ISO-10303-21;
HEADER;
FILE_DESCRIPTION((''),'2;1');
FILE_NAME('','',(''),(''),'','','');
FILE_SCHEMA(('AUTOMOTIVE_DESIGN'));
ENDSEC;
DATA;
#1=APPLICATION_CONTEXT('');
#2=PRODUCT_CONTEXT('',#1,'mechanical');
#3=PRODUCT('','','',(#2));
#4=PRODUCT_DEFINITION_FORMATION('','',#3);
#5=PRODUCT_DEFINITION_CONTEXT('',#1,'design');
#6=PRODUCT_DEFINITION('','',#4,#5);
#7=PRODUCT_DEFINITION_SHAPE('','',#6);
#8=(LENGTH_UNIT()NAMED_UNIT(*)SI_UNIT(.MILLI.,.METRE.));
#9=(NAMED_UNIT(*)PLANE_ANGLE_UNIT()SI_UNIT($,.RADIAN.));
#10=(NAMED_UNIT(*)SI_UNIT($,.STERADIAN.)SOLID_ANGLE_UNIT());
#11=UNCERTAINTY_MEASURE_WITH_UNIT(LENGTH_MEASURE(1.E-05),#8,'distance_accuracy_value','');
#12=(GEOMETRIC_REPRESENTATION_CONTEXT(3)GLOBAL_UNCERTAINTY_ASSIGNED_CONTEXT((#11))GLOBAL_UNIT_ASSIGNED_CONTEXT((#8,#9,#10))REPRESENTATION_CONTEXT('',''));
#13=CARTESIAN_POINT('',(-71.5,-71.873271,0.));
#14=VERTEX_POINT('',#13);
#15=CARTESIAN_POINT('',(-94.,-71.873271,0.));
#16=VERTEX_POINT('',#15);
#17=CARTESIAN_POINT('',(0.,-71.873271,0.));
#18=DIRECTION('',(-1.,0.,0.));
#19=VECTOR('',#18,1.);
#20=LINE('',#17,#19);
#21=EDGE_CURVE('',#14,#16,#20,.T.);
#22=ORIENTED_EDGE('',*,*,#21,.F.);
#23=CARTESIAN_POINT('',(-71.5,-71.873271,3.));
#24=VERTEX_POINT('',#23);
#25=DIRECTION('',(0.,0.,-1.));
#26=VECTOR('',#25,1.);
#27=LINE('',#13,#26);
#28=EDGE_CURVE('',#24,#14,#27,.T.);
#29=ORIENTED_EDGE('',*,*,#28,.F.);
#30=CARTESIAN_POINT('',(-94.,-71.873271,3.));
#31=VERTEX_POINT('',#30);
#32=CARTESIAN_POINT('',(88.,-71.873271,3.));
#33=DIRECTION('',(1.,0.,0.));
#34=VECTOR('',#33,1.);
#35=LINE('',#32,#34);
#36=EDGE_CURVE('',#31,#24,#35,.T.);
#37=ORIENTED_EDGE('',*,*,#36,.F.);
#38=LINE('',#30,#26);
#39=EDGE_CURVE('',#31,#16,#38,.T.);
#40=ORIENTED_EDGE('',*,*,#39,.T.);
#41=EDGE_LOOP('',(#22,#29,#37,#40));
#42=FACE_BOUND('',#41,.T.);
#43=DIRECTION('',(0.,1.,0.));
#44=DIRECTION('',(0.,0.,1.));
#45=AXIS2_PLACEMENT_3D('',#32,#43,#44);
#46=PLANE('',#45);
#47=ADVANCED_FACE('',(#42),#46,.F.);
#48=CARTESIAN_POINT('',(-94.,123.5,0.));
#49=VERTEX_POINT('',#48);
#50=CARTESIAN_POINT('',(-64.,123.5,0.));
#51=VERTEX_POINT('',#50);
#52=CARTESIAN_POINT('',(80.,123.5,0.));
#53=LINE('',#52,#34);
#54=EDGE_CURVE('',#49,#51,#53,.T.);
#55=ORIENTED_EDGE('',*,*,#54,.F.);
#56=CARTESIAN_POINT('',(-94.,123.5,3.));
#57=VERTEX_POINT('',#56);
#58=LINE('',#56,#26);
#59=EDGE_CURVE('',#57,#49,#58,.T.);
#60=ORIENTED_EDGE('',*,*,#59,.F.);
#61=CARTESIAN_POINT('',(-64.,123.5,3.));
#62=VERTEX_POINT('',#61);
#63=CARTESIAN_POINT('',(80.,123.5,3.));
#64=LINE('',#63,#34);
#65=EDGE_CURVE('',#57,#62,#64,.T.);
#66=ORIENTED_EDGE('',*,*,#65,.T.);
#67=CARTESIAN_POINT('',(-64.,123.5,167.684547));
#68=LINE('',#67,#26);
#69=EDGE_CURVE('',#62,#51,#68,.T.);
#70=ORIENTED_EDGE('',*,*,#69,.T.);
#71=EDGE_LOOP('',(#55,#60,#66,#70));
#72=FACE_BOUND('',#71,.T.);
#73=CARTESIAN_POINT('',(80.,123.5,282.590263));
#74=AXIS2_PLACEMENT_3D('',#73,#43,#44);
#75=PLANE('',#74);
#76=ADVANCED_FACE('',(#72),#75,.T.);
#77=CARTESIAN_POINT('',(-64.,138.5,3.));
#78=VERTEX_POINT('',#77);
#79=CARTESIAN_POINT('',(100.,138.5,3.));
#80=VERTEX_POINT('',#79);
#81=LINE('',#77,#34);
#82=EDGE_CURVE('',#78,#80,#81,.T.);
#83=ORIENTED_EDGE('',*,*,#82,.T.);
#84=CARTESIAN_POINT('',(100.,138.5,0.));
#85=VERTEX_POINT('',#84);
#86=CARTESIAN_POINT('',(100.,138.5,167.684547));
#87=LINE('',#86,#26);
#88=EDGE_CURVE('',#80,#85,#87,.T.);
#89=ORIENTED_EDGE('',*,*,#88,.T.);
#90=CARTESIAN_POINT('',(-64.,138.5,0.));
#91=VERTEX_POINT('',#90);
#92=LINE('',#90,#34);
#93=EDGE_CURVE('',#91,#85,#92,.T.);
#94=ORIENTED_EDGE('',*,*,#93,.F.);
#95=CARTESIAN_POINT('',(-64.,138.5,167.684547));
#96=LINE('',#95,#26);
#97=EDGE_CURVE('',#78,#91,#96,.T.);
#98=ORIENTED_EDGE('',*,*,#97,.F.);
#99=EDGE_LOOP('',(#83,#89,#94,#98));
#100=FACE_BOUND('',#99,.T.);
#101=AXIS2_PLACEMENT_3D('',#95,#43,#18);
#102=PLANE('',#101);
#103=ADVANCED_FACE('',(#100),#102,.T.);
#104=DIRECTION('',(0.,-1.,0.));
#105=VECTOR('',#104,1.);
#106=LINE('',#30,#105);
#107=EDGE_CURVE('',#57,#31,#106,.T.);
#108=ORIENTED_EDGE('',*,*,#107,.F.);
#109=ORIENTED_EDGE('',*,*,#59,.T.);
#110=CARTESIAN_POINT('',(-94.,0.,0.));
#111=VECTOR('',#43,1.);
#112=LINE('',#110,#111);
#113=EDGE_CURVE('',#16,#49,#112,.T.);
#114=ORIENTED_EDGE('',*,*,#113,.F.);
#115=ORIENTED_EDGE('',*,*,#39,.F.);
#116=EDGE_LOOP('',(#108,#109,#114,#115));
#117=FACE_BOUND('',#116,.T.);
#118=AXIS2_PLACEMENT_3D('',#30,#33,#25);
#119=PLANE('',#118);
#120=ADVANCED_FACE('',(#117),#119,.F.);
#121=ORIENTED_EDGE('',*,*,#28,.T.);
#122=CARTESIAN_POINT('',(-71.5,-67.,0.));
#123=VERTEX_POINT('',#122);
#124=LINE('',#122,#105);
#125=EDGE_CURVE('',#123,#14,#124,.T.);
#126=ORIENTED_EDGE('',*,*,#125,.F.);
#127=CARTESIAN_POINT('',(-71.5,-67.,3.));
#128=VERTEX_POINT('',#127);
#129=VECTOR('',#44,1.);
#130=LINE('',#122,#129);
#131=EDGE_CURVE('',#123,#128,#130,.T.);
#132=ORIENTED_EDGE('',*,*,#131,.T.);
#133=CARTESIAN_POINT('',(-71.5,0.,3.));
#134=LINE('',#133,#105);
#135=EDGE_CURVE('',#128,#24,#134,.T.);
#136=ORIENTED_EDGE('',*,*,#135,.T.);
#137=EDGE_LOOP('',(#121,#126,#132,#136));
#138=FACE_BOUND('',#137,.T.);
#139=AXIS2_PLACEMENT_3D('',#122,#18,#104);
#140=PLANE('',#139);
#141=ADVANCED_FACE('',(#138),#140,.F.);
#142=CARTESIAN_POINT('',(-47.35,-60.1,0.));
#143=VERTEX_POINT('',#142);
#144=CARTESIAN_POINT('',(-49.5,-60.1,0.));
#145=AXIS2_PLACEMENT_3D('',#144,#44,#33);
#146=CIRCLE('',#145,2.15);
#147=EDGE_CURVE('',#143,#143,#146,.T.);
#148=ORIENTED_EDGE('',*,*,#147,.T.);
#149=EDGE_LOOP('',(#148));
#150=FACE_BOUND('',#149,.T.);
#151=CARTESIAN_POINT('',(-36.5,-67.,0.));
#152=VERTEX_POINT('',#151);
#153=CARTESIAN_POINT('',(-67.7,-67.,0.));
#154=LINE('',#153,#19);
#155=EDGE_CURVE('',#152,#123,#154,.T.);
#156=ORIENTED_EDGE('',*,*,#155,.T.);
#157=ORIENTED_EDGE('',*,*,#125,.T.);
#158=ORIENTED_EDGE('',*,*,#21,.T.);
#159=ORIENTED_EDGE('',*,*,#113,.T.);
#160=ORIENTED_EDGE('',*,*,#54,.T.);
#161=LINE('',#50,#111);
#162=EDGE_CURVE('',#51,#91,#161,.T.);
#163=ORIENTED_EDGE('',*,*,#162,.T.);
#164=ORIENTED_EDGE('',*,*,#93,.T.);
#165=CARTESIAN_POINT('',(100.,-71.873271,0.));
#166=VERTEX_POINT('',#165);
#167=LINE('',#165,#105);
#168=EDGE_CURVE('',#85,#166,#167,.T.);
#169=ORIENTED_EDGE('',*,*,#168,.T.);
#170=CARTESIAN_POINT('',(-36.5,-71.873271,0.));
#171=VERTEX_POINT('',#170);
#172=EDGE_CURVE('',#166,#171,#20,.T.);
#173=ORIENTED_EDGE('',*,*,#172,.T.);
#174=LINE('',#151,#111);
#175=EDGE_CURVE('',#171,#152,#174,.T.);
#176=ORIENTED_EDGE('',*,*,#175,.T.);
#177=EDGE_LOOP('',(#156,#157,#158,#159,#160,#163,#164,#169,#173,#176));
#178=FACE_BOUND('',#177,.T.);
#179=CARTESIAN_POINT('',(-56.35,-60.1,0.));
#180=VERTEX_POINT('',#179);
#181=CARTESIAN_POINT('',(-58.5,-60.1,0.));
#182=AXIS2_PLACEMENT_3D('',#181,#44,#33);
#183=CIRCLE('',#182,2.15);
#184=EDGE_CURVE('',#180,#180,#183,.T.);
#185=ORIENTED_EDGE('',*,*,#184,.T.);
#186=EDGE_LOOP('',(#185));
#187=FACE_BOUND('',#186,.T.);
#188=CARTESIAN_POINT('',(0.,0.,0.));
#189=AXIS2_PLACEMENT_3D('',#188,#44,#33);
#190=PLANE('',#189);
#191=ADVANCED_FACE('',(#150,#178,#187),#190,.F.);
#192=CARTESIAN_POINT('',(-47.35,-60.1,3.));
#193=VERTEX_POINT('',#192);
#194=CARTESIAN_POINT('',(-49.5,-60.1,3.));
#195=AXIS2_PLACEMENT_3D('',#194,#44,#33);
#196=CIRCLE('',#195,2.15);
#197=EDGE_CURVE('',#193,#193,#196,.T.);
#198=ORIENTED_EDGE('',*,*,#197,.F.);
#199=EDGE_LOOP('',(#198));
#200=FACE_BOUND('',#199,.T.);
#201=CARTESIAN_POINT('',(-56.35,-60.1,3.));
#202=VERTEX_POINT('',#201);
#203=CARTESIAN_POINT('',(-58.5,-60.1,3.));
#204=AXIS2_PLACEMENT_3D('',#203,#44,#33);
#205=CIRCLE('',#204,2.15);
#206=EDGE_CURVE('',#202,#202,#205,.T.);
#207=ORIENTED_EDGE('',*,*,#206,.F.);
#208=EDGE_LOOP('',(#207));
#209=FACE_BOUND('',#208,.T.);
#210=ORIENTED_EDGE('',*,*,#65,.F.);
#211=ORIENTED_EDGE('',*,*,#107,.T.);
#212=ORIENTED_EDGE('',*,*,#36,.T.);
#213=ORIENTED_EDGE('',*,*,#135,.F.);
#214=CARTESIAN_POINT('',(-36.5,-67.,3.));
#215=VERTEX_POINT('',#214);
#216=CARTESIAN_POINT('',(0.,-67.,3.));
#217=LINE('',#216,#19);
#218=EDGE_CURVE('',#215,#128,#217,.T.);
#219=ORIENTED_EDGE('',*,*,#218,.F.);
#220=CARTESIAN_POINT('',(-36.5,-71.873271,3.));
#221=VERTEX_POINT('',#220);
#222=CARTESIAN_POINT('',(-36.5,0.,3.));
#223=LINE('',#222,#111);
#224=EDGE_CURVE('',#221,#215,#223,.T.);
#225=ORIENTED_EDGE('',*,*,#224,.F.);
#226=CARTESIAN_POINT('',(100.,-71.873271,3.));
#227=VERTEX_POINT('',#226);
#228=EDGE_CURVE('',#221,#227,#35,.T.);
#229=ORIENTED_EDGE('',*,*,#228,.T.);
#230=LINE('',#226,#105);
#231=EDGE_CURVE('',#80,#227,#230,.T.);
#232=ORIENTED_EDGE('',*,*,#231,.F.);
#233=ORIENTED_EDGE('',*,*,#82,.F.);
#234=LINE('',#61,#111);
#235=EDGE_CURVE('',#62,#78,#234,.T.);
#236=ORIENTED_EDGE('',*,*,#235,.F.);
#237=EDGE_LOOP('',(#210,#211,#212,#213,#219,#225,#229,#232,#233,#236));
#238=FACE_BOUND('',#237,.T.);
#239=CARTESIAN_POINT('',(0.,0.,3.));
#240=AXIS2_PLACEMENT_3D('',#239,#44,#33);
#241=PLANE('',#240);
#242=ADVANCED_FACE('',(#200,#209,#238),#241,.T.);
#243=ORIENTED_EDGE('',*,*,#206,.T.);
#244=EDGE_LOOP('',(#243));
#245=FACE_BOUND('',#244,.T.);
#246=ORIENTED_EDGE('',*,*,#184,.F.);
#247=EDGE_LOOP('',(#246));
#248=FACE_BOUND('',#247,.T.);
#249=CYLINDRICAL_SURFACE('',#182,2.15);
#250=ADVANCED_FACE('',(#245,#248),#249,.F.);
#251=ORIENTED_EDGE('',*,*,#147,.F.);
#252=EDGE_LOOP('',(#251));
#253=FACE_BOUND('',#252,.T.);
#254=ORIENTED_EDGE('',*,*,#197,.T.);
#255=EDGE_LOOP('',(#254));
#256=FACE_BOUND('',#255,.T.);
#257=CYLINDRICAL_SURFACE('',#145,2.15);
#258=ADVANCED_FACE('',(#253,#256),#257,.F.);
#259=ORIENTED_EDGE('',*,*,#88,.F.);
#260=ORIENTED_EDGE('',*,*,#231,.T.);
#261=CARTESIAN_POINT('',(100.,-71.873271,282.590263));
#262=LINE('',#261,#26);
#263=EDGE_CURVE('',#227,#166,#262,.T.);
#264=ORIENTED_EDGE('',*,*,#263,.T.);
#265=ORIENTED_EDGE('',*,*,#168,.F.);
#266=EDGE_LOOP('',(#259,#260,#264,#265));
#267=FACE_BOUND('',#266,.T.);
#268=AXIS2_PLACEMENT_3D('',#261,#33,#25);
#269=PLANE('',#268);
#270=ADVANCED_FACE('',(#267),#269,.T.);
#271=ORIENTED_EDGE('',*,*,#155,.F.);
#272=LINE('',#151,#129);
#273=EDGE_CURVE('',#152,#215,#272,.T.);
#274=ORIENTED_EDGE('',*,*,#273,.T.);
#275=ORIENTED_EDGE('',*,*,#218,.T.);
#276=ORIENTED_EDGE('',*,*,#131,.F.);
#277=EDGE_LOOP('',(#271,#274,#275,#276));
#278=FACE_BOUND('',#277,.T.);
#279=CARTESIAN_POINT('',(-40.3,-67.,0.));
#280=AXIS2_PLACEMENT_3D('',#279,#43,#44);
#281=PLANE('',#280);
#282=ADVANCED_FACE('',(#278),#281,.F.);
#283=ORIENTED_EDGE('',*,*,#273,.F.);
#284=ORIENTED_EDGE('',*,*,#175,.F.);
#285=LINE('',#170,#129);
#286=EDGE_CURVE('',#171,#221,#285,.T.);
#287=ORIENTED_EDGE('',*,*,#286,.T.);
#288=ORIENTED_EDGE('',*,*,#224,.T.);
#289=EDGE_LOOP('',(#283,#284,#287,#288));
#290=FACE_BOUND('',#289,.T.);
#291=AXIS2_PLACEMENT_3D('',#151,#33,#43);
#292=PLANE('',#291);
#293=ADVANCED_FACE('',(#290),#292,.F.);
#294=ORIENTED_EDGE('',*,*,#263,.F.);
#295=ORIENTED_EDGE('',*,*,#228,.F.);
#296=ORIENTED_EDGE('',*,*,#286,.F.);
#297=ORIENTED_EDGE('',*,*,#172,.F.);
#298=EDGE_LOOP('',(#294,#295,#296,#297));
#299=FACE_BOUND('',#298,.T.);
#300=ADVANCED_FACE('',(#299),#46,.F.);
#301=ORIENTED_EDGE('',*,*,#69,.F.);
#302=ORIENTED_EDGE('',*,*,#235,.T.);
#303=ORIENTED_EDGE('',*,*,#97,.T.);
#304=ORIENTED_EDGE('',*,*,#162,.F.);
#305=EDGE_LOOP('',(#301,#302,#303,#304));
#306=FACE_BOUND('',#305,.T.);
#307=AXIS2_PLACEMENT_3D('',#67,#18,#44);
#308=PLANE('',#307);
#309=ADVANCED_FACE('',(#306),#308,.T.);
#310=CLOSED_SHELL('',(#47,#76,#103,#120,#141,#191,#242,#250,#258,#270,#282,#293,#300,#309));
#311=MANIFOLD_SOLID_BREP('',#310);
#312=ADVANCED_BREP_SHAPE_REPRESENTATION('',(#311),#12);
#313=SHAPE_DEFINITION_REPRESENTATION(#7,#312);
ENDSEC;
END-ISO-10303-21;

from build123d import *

# Parameters (mm, degrees)
SKETCH_1_W               = 180
SKETCH_1_H               = 195
EXTRUDE_1_DEPTH          = 3
CUT_EXTRUDE_1_DEPTH      = 133.722454769
CUT_EXTRUDE_1_DEPTH_BACK = 133.722454769
SKETCH_2_R               = 2.15
SKETCH_3_W               = 10
SKETCH_3_H               = 195
EXTRUDE_2_DEPTH          = 3
SKETCH_4_W               = 116
SKETCH_4_H               = 22
EXTRUDE_3_DEPTH          = 3
CUT_EXTRUDE_2_DEPTH      = 156.850088226
CUT_EXTRUDE_2_DEPTH_BACK = 156.850088226
SKETCH_5_W               = 116
SKETCH_5_H               = 7
CUT_EXTRUDE_3_DEPTH      = 151.549825639
CUT_EXTRUDE_3_DEPTH_BACK = 151.549825639
CUT_EXTRUDE_4_DEPTH      = 150.06122903
CUT_EXTRUDE_4_DEPTH_BACK = 150.06122903
SKETCH_7_W               = 188
SKETCH_7_H               = 38.626728851
EXTRUDE_4_DEPTH          = 3
CUT_EXTRUDE_5_DEPTH      = 159.937880947
CUT_EXTRUDE_5_DEPTH_BACK = 159.937880947
SKETCH_9_W               = 6
SKETCH_9_H               = 195.373271149
SKETCH_11_W              = 164
SKETCH_11_H              = 15
EXTRUDE_5_DEPTH          = 3


with BuildPart() as part:
    # 草图1 → 凸台-拉伸1 (new body)
    with BuildSketch(Plane.XY):
        Rectangle(SKETCH_1_W, SKETCH_1_H)
    extrude(amount=EXTRUDE_1_DEPTH)

    # 草图2 → 切除-拉伸1 (cut, two sides: drawn at the far end of the back side and taken through both)
    with BuildSketch(Plane.XY.offset(3).offset(-CUT_EXTRUDE_1_DEPTH_BACK)):
        with Locations((-58.5, -60.1)):
            Circle(SKETCH_2_R)
        with Locations((-49.5, -60.1)):
            Circle(SKETCH_2_R)
        Polygon((-71.5, -67), (-67.7, -67), (-40.3, -67), (-36.5, -67), (-36.5, -72.5), (-26, -72.5), (-26, -97.5), (-82, -97.5), (-82, -72.5), (-71.5, -72.5), align=None)
    extrude(amount=CUT_EXTRUDE_1_DEPTH + CUT_EXTRUDE_1_DEPTH_BACK, mode=Mode.SUBTRACT)

    # 草图3 → 凸台-拉伸2 (add)
    with BuildSketch(Plane.XY.offset(3)):
        with Locations((-95, 0)):
            Rectangle(SKETCH_3_W, SKETCH_3_H)
    extrude(amount=-EXTRUDE_2_DEPTH)

    # 草图4 → 凸台-拉伸3 (add)
    with BuildSketch(Plane(origin=(0, 0, 0), x_dir=(-1, 0, 0), z_dir=(0, 0, -1))):
        with Locations((-32, -108.5)):
            Rectangle(SKETCH_4_W, SKETCH_4_H)
    extrude(amount=-EXTRUDE_3_DEPTH)

    # 草图5 → 切除-拉伸2 (cut, two sides: drawn at the far end of the back side and taken through both)
    with BuildSketch(Plane(origin=(0, 0, 0), x_dir=(-1, 0, 0), z_dir=(0, 0, -1)).offset(-CUT_EXTRUDE_2_DEPTH_BACK)):
        with Locations((-32, -116)):
            Rectangle(SKETCH_5_W, SKETCH_5_H)
    extrude(amount=CUT_EXTRUDE_2_DEPTH + CUT_EXTRUDE_2_DEPTH_BACK, mode=Mode.SUBTRACT)

    # 草图6 → 切除-拉伸3 (cut, two sides: drawn at the far end of the back side and taken through both)
    with BuildSketch(Plane(origin=(0, 0, 0), x_dir=(-1, 0, 0), z_dir=(0, 0, -1)).offset(-CUT_EXTRUDE_3_DEPTH_BACK)):
        Polygon((100, -97.5), (100, -95.5), (84, -95.5), (84, -72.5), (82, -72.5), (82, -97.5), align=None)
        Polygon((24, -72.5), (24, -110.5), (-88, -110.5), (-88, 95.5), (100, 95.5), (100, 97.5), (-90, 97.5), (-90, -112.5), (26, -112.5), (26, -72.5), align=None)
    extrude(amount=CUT_EXTRUDE_3_DEPTH + CUT_EXTRUDE_3_DEPTH_BACK, mode=Mode.SUBTRACT)

    # 草图7 → 切除-拉伸4 (cut, two sides: drawn at the far end of the back side and taken through both)
    with BuildSketch(Plane(origin=(0, 0, 0), x_dir=(-1, 0, 0), z_dir=(0, 0, -1)).offset(-CUT_EXTRUDE_4_DEPTH_BACK)):
        with Locations((6, -91.186635575)):
            Rectangle(SKETCH_7_W, SKETCH_7_H)
    extrude(amount=CUT_EXTRUDE_4_DEPTH + CUT_EXTRUDE_4_DEPTH_BACK, mode=Mode.SUBTRACT)

    # 草图8 → 凸台-拉伸4 (add)
    with BuildSketch(Plane(origin=(0, 0, 0), x_dir=(-1, 0, 0), z_dir=(0, 0, -1))):
        Polygon((-88, 95.5), (100, 95.5), (100, 123.5), (-80, 123.5), (-100, 123.5), (-100, -71.873271149), (-88, -71.873271149), align=None)
    extrude(amount=-EXTRUDE_4_DEPTH)

    # 草图9 → 切除-拉伸5 (cut, two sides: drawn at the far end of the back side and taken through both)
    with BuildSketch(Plane(origin=(0, 0, 0), x_dir=(-1, 0, 0), z_dir=(0, 0, -1)).offset(-CUT_EXTRUDE_5_DEPTH_BACK)):
        with Locations((97, 25.813364426)):
            Rectangle(SKETCH_9_W, SKETCH_9_H)
    extrude(amount=CUT_EXTRUDE_5_DEPTH + CUT_EXTRUDE_5_DEPTH_BACK, mode=Mode.SUBTRACT)

    # 草图11 → 凸台-拉伸5 (add)
    with BuildSketch(Plane(origin=(0, 0, 0), x_dir=(-1, 0, 0), z_dir=(0, 0, -1))):
        with Locations((-18, 131)):
            Rectangle(SKETCH_11_W, SKETCH_11_H)
    extrude(amount=-EXTRUDE_5_DEPTH)


solid = part.part
